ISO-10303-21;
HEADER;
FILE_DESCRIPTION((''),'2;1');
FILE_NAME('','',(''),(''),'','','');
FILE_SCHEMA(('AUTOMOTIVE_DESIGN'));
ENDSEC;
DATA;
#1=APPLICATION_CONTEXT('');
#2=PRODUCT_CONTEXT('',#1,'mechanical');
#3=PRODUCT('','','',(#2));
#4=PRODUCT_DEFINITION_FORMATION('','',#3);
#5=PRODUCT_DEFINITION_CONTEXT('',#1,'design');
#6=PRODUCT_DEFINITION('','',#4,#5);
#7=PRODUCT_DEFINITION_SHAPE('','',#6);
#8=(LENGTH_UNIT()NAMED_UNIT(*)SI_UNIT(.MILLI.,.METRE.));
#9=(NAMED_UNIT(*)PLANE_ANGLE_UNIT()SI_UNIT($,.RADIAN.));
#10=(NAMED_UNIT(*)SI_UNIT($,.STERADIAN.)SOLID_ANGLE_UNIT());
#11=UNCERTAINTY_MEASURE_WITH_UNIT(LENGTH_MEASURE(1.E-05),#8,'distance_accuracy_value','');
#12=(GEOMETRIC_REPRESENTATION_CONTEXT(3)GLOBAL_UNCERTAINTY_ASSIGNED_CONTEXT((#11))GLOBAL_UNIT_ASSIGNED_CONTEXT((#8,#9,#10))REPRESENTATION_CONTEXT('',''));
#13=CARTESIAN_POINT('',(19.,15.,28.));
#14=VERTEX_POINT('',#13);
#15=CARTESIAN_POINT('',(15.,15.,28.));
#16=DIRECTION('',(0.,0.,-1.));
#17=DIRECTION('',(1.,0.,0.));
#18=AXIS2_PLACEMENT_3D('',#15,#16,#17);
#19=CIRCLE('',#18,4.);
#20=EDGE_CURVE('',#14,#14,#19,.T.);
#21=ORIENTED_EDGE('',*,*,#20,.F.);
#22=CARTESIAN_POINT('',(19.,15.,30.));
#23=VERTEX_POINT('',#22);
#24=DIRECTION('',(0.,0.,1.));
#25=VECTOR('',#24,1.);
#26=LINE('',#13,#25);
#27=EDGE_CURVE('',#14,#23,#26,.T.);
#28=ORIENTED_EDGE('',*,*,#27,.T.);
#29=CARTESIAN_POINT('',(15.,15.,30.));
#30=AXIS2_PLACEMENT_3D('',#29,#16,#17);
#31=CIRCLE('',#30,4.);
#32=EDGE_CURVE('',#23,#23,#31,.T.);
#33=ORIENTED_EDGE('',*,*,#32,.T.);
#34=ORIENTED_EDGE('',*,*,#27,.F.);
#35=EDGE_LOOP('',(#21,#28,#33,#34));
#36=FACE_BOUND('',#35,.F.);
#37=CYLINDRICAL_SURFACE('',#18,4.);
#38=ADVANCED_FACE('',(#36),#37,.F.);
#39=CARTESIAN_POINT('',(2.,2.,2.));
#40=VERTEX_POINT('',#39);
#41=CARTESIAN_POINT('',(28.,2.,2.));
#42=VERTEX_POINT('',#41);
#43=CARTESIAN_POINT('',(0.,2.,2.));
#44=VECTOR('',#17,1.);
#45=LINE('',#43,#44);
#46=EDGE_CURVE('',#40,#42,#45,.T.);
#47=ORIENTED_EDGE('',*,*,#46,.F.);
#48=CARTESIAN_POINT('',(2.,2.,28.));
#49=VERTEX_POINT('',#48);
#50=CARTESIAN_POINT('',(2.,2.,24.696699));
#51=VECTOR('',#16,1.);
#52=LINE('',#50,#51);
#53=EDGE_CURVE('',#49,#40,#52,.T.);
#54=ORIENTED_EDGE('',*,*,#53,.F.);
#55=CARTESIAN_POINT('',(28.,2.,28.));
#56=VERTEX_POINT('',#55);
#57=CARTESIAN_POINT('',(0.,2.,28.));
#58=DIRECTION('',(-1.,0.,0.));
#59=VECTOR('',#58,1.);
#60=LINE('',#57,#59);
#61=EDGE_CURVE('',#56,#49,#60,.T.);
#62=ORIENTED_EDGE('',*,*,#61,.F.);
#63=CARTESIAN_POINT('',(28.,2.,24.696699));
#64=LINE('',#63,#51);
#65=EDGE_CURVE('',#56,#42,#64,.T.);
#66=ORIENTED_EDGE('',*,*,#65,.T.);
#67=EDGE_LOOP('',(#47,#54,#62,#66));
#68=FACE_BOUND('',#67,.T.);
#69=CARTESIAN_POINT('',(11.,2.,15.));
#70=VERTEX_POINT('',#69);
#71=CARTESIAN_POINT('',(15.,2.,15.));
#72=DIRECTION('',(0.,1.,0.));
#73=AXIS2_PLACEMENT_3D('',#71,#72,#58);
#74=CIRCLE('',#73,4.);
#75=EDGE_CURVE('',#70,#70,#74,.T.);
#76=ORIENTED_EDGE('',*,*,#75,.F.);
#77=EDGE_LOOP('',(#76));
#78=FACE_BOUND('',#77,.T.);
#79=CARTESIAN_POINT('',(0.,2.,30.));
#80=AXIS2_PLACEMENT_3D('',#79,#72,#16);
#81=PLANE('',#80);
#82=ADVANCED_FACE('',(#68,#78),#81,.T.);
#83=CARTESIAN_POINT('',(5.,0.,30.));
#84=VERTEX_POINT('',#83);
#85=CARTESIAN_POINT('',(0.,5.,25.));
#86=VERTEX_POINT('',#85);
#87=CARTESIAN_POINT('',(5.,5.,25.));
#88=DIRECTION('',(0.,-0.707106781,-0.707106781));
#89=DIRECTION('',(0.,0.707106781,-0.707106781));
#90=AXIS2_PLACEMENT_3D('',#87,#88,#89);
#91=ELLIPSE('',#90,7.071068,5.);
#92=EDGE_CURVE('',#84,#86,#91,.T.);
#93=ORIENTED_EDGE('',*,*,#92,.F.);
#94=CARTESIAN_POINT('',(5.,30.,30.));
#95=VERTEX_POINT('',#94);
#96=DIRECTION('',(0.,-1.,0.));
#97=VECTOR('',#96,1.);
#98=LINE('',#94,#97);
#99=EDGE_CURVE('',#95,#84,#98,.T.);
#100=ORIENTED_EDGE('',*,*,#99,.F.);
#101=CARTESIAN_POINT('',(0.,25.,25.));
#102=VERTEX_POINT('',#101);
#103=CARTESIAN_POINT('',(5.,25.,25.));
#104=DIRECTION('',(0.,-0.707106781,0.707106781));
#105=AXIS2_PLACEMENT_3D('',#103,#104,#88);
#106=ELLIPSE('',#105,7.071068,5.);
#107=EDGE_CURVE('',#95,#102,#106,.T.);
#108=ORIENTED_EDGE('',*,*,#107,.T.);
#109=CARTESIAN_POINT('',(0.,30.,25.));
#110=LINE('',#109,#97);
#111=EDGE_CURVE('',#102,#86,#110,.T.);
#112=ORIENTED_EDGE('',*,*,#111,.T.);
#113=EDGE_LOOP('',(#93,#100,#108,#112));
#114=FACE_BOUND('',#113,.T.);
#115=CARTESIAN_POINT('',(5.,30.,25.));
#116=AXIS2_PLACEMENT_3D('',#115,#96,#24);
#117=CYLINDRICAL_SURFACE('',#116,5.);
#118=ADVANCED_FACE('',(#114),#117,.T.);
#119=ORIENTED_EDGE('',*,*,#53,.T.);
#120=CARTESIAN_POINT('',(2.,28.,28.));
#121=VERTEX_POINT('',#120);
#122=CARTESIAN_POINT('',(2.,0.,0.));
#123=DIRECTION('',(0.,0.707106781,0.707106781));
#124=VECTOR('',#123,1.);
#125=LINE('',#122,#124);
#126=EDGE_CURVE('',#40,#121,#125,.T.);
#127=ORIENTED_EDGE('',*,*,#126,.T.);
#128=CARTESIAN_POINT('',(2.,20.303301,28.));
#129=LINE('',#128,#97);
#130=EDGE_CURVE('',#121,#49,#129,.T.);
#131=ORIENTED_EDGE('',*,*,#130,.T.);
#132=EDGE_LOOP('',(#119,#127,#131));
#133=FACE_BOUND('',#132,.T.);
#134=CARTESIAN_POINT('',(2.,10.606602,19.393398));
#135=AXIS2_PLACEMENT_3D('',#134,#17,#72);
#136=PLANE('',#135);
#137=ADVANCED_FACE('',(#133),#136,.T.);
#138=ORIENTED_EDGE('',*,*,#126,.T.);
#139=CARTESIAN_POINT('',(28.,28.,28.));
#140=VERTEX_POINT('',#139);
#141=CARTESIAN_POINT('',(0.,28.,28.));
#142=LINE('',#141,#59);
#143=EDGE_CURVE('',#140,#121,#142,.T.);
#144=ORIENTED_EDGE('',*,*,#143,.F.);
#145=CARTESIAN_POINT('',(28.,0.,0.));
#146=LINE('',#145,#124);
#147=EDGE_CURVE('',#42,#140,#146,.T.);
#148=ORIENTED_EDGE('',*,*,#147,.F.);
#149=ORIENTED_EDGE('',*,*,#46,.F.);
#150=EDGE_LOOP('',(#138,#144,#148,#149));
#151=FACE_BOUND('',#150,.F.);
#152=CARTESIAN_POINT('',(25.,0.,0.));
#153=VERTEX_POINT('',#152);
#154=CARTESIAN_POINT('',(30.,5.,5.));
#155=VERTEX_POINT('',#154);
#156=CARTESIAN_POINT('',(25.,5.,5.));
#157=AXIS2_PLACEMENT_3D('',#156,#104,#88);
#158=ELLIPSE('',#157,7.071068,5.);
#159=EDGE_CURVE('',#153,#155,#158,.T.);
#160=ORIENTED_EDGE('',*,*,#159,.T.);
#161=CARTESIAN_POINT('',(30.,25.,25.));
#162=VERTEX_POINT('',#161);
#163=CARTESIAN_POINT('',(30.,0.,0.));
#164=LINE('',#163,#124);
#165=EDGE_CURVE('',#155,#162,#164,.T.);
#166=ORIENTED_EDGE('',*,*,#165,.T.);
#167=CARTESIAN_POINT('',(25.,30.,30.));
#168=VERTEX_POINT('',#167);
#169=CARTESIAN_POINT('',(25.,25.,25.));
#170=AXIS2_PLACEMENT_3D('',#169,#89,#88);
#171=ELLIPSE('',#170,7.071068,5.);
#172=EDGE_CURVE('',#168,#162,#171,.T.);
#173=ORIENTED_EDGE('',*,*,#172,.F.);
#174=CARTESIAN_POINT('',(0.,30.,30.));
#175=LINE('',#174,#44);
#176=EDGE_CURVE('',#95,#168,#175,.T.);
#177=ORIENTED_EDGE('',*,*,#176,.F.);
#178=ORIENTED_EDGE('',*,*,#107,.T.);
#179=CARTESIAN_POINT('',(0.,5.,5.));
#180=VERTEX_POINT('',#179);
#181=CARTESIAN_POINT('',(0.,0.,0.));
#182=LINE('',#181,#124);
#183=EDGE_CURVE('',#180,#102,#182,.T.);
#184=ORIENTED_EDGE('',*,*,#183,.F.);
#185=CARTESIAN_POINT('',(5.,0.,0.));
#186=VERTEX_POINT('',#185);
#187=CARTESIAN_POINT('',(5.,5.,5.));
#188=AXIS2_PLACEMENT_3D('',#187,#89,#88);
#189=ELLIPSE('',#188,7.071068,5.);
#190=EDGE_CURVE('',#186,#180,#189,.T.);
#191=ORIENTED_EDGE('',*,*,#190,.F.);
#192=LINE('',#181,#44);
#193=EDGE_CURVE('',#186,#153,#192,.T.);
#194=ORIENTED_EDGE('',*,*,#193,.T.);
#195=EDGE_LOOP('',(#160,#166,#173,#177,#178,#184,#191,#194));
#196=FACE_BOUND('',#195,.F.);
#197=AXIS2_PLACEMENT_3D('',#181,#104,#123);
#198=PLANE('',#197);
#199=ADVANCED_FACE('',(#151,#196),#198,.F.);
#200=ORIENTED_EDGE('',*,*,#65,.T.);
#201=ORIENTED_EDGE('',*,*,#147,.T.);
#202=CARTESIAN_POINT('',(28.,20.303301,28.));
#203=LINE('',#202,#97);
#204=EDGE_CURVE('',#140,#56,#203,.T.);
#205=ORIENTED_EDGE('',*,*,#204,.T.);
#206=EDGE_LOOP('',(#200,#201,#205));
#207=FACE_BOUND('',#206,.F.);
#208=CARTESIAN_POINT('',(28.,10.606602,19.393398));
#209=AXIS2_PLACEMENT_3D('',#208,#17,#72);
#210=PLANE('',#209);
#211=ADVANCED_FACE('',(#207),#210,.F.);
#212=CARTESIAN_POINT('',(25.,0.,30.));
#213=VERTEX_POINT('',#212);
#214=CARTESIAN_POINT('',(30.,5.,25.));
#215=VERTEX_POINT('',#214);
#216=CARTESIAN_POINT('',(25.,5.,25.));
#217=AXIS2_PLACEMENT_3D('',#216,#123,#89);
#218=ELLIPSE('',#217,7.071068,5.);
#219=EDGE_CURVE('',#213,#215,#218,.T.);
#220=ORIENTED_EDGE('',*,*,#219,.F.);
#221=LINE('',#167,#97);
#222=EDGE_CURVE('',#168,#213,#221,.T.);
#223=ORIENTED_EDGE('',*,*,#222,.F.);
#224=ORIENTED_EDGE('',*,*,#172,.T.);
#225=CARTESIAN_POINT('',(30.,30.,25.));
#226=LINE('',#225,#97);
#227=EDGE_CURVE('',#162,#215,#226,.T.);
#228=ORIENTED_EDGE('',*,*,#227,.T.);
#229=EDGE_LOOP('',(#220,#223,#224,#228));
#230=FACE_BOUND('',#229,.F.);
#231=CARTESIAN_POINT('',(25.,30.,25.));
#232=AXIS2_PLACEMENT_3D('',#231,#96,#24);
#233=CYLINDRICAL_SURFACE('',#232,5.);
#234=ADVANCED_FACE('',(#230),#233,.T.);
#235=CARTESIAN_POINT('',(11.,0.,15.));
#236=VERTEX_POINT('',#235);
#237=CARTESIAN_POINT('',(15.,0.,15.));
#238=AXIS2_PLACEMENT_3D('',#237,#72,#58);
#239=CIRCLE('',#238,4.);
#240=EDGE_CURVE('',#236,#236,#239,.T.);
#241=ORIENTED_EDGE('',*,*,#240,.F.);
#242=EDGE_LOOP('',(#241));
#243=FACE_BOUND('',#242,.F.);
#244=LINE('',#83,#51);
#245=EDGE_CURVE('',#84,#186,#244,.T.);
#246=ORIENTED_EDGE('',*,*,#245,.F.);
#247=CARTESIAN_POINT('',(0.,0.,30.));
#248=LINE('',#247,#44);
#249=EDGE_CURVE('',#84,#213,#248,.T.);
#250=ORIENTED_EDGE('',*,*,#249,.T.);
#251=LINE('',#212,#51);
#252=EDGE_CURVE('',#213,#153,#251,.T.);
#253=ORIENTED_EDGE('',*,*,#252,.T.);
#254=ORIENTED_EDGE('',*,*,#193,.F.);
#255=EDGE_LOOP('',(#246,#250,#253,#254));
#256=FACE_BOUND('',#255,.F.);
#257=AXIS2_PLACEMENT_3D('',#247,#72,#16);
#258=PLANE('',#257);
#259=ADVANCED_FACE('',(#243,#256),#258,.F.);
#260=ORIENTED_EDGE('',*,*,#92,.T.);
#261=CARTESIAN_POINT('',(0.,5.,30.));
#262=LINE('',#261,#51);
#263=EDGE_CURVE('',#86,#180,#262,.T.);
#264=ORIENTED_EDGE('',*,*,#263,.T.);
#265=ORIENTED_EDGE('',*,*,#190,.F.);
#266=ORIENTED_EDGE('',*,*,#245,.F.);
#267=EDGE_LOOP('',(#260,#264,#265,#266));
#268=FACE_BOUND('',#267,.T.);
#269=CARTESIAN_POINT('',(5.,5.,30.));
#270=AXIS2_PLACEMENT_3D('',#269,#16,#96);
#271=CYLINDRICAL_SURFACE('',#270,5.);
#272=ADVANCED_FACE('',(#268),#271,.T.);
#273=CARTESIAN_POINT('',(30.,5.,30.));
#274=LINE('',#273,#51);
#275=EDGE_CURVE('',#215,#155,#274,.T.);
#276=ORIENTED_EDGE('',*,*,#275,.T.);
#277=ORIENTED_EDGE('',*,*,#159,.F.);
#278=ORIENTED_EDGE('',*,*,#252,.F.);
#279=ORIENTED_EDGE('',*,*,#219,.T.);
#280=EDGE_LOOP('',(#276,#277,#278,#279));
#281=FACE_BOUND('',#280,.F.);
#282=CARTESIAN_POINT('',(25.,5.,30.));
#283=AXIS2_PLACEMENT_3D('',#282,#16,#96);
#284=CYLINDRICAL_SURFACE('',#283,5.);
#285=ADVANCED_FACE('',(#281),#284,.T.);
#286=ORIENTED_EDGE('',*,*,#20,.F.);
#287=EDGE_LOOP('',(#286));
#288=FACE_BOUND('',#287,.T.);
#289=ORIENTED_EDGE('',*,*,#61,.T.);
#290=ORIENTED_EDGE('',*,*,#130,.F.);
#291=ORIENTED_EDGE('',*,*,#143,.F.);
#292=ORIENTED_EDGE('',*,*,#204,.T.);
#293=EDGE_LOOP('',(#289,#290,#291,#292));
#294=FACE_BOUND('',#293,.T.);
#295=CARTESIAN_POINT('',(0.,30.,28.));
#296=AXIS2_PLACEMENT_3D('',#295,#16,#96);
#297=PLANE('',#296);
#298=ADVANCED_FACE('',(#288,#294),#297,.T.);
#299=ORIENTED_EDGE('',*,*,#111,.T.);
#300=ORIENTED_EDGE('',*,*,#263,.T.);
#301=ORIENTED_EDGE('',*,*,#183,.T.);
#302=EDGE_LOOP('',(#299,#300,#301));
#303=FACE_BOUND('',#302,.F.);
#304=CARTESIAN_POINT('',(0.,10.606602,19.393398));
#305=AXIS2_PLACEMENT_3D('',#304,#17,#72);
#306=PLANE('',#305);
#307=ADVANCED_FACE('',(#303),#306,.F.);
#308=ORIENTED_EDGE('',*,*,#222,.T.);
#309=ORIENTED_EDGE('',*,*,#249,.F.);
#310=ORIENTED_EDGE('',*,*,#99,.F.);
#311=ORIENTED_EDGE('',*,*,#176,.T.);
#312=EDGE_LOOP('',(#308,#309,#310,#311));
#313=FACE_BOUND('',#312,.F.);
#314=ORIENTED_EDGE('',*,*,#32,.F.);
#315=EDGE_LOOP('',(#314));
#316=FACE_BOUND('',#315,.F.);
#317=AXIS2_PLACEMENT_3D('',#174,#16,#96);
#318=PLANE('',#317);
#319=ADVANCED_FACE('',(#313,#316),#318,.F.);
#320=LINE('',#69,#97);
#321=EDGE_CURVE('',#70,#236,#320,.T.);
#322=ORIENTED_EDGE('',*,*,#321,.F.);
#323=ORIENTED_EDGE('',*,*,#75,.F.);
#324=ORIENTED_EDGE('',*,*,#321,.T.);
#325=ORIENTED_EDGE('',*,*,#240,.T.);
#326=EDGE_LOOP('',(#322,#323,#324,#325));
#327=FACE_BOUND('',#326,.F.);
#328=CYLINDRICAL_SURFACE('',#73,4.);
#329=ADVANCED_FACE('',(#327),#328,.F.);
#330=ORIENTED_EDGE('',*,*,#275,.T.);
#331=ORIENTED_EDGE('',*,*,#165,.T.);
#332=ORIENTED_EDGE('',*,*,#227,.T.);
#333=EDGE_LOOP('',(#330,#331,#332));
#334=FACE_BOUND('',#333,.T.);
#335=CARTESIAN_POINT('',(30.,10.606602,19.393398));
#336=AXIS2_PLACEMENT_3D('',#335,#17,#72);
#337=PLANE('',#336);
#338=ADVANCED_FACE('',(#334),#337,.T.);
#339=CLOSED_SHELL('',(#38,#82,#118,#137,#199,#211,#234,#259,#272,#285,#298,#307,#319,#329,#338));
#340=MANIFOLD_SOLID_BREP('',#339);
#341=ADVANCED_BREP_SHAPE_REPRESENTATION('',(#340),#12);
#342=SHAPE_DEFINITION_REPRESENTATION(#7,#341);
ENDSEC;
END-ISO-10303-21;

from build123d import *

# Parameters (mm, degrees)
F1_DEPTH = 30
F2_T     = -2
F3_R     = 5
F4_R     = 4
F5_DEPTH = 2.001
F6_R     = 4
F7_DEPTH = 2.001


with BuildPart() as f1:
    # F0 (on Right) → F1 (new body)
    with BuildSketch(Plane.YZ):
        Polygon((0, 30), (0, 0), (30, 30), align=None)
    extrude(amount=F1_DEPTH)

    # F2
    f2_openings = [f1.faces().sort_by_distance(p)[0] for p in [
        (15, 15, 15),
    ]]
    offset(amount=F2_T, openings=f2_openings)

    # F3
    f3_edges = [f1.edges().sort_by_distance(p)[0] for p in [
        (30, 0, 15),
        (30, 15, 30),
        (0, 0, 15),
        (0, 15, 30),
    ]]
    fillet(f3_edges, radius=F3_R)

    # F4 (on face) → F5 (cut, through all)
    with BuildSketch(Plane(origin=(0, 0, 28), x_dir=(1, 0, 0), z_dir=(0, 0, -1))):
        with Locations((15, -15)):
            Circle(F4_R)
    extrude(amount=-F5_DEPTH, mode=Mode.SUBTRACT)

    # F6 (on face) → F7 (cut, through all)
    with BuildSketch(Plane(origin=(0, 2, 0), x_dir=(-1, 0, 0), z_dir=(0, 1, 0))):
        with Locations((-15, 15)):
            Circle(F6_R)
    extrude(amount=-F7_DEPTH, mode=Mode.SUBTRACT)


solid = f1.part
